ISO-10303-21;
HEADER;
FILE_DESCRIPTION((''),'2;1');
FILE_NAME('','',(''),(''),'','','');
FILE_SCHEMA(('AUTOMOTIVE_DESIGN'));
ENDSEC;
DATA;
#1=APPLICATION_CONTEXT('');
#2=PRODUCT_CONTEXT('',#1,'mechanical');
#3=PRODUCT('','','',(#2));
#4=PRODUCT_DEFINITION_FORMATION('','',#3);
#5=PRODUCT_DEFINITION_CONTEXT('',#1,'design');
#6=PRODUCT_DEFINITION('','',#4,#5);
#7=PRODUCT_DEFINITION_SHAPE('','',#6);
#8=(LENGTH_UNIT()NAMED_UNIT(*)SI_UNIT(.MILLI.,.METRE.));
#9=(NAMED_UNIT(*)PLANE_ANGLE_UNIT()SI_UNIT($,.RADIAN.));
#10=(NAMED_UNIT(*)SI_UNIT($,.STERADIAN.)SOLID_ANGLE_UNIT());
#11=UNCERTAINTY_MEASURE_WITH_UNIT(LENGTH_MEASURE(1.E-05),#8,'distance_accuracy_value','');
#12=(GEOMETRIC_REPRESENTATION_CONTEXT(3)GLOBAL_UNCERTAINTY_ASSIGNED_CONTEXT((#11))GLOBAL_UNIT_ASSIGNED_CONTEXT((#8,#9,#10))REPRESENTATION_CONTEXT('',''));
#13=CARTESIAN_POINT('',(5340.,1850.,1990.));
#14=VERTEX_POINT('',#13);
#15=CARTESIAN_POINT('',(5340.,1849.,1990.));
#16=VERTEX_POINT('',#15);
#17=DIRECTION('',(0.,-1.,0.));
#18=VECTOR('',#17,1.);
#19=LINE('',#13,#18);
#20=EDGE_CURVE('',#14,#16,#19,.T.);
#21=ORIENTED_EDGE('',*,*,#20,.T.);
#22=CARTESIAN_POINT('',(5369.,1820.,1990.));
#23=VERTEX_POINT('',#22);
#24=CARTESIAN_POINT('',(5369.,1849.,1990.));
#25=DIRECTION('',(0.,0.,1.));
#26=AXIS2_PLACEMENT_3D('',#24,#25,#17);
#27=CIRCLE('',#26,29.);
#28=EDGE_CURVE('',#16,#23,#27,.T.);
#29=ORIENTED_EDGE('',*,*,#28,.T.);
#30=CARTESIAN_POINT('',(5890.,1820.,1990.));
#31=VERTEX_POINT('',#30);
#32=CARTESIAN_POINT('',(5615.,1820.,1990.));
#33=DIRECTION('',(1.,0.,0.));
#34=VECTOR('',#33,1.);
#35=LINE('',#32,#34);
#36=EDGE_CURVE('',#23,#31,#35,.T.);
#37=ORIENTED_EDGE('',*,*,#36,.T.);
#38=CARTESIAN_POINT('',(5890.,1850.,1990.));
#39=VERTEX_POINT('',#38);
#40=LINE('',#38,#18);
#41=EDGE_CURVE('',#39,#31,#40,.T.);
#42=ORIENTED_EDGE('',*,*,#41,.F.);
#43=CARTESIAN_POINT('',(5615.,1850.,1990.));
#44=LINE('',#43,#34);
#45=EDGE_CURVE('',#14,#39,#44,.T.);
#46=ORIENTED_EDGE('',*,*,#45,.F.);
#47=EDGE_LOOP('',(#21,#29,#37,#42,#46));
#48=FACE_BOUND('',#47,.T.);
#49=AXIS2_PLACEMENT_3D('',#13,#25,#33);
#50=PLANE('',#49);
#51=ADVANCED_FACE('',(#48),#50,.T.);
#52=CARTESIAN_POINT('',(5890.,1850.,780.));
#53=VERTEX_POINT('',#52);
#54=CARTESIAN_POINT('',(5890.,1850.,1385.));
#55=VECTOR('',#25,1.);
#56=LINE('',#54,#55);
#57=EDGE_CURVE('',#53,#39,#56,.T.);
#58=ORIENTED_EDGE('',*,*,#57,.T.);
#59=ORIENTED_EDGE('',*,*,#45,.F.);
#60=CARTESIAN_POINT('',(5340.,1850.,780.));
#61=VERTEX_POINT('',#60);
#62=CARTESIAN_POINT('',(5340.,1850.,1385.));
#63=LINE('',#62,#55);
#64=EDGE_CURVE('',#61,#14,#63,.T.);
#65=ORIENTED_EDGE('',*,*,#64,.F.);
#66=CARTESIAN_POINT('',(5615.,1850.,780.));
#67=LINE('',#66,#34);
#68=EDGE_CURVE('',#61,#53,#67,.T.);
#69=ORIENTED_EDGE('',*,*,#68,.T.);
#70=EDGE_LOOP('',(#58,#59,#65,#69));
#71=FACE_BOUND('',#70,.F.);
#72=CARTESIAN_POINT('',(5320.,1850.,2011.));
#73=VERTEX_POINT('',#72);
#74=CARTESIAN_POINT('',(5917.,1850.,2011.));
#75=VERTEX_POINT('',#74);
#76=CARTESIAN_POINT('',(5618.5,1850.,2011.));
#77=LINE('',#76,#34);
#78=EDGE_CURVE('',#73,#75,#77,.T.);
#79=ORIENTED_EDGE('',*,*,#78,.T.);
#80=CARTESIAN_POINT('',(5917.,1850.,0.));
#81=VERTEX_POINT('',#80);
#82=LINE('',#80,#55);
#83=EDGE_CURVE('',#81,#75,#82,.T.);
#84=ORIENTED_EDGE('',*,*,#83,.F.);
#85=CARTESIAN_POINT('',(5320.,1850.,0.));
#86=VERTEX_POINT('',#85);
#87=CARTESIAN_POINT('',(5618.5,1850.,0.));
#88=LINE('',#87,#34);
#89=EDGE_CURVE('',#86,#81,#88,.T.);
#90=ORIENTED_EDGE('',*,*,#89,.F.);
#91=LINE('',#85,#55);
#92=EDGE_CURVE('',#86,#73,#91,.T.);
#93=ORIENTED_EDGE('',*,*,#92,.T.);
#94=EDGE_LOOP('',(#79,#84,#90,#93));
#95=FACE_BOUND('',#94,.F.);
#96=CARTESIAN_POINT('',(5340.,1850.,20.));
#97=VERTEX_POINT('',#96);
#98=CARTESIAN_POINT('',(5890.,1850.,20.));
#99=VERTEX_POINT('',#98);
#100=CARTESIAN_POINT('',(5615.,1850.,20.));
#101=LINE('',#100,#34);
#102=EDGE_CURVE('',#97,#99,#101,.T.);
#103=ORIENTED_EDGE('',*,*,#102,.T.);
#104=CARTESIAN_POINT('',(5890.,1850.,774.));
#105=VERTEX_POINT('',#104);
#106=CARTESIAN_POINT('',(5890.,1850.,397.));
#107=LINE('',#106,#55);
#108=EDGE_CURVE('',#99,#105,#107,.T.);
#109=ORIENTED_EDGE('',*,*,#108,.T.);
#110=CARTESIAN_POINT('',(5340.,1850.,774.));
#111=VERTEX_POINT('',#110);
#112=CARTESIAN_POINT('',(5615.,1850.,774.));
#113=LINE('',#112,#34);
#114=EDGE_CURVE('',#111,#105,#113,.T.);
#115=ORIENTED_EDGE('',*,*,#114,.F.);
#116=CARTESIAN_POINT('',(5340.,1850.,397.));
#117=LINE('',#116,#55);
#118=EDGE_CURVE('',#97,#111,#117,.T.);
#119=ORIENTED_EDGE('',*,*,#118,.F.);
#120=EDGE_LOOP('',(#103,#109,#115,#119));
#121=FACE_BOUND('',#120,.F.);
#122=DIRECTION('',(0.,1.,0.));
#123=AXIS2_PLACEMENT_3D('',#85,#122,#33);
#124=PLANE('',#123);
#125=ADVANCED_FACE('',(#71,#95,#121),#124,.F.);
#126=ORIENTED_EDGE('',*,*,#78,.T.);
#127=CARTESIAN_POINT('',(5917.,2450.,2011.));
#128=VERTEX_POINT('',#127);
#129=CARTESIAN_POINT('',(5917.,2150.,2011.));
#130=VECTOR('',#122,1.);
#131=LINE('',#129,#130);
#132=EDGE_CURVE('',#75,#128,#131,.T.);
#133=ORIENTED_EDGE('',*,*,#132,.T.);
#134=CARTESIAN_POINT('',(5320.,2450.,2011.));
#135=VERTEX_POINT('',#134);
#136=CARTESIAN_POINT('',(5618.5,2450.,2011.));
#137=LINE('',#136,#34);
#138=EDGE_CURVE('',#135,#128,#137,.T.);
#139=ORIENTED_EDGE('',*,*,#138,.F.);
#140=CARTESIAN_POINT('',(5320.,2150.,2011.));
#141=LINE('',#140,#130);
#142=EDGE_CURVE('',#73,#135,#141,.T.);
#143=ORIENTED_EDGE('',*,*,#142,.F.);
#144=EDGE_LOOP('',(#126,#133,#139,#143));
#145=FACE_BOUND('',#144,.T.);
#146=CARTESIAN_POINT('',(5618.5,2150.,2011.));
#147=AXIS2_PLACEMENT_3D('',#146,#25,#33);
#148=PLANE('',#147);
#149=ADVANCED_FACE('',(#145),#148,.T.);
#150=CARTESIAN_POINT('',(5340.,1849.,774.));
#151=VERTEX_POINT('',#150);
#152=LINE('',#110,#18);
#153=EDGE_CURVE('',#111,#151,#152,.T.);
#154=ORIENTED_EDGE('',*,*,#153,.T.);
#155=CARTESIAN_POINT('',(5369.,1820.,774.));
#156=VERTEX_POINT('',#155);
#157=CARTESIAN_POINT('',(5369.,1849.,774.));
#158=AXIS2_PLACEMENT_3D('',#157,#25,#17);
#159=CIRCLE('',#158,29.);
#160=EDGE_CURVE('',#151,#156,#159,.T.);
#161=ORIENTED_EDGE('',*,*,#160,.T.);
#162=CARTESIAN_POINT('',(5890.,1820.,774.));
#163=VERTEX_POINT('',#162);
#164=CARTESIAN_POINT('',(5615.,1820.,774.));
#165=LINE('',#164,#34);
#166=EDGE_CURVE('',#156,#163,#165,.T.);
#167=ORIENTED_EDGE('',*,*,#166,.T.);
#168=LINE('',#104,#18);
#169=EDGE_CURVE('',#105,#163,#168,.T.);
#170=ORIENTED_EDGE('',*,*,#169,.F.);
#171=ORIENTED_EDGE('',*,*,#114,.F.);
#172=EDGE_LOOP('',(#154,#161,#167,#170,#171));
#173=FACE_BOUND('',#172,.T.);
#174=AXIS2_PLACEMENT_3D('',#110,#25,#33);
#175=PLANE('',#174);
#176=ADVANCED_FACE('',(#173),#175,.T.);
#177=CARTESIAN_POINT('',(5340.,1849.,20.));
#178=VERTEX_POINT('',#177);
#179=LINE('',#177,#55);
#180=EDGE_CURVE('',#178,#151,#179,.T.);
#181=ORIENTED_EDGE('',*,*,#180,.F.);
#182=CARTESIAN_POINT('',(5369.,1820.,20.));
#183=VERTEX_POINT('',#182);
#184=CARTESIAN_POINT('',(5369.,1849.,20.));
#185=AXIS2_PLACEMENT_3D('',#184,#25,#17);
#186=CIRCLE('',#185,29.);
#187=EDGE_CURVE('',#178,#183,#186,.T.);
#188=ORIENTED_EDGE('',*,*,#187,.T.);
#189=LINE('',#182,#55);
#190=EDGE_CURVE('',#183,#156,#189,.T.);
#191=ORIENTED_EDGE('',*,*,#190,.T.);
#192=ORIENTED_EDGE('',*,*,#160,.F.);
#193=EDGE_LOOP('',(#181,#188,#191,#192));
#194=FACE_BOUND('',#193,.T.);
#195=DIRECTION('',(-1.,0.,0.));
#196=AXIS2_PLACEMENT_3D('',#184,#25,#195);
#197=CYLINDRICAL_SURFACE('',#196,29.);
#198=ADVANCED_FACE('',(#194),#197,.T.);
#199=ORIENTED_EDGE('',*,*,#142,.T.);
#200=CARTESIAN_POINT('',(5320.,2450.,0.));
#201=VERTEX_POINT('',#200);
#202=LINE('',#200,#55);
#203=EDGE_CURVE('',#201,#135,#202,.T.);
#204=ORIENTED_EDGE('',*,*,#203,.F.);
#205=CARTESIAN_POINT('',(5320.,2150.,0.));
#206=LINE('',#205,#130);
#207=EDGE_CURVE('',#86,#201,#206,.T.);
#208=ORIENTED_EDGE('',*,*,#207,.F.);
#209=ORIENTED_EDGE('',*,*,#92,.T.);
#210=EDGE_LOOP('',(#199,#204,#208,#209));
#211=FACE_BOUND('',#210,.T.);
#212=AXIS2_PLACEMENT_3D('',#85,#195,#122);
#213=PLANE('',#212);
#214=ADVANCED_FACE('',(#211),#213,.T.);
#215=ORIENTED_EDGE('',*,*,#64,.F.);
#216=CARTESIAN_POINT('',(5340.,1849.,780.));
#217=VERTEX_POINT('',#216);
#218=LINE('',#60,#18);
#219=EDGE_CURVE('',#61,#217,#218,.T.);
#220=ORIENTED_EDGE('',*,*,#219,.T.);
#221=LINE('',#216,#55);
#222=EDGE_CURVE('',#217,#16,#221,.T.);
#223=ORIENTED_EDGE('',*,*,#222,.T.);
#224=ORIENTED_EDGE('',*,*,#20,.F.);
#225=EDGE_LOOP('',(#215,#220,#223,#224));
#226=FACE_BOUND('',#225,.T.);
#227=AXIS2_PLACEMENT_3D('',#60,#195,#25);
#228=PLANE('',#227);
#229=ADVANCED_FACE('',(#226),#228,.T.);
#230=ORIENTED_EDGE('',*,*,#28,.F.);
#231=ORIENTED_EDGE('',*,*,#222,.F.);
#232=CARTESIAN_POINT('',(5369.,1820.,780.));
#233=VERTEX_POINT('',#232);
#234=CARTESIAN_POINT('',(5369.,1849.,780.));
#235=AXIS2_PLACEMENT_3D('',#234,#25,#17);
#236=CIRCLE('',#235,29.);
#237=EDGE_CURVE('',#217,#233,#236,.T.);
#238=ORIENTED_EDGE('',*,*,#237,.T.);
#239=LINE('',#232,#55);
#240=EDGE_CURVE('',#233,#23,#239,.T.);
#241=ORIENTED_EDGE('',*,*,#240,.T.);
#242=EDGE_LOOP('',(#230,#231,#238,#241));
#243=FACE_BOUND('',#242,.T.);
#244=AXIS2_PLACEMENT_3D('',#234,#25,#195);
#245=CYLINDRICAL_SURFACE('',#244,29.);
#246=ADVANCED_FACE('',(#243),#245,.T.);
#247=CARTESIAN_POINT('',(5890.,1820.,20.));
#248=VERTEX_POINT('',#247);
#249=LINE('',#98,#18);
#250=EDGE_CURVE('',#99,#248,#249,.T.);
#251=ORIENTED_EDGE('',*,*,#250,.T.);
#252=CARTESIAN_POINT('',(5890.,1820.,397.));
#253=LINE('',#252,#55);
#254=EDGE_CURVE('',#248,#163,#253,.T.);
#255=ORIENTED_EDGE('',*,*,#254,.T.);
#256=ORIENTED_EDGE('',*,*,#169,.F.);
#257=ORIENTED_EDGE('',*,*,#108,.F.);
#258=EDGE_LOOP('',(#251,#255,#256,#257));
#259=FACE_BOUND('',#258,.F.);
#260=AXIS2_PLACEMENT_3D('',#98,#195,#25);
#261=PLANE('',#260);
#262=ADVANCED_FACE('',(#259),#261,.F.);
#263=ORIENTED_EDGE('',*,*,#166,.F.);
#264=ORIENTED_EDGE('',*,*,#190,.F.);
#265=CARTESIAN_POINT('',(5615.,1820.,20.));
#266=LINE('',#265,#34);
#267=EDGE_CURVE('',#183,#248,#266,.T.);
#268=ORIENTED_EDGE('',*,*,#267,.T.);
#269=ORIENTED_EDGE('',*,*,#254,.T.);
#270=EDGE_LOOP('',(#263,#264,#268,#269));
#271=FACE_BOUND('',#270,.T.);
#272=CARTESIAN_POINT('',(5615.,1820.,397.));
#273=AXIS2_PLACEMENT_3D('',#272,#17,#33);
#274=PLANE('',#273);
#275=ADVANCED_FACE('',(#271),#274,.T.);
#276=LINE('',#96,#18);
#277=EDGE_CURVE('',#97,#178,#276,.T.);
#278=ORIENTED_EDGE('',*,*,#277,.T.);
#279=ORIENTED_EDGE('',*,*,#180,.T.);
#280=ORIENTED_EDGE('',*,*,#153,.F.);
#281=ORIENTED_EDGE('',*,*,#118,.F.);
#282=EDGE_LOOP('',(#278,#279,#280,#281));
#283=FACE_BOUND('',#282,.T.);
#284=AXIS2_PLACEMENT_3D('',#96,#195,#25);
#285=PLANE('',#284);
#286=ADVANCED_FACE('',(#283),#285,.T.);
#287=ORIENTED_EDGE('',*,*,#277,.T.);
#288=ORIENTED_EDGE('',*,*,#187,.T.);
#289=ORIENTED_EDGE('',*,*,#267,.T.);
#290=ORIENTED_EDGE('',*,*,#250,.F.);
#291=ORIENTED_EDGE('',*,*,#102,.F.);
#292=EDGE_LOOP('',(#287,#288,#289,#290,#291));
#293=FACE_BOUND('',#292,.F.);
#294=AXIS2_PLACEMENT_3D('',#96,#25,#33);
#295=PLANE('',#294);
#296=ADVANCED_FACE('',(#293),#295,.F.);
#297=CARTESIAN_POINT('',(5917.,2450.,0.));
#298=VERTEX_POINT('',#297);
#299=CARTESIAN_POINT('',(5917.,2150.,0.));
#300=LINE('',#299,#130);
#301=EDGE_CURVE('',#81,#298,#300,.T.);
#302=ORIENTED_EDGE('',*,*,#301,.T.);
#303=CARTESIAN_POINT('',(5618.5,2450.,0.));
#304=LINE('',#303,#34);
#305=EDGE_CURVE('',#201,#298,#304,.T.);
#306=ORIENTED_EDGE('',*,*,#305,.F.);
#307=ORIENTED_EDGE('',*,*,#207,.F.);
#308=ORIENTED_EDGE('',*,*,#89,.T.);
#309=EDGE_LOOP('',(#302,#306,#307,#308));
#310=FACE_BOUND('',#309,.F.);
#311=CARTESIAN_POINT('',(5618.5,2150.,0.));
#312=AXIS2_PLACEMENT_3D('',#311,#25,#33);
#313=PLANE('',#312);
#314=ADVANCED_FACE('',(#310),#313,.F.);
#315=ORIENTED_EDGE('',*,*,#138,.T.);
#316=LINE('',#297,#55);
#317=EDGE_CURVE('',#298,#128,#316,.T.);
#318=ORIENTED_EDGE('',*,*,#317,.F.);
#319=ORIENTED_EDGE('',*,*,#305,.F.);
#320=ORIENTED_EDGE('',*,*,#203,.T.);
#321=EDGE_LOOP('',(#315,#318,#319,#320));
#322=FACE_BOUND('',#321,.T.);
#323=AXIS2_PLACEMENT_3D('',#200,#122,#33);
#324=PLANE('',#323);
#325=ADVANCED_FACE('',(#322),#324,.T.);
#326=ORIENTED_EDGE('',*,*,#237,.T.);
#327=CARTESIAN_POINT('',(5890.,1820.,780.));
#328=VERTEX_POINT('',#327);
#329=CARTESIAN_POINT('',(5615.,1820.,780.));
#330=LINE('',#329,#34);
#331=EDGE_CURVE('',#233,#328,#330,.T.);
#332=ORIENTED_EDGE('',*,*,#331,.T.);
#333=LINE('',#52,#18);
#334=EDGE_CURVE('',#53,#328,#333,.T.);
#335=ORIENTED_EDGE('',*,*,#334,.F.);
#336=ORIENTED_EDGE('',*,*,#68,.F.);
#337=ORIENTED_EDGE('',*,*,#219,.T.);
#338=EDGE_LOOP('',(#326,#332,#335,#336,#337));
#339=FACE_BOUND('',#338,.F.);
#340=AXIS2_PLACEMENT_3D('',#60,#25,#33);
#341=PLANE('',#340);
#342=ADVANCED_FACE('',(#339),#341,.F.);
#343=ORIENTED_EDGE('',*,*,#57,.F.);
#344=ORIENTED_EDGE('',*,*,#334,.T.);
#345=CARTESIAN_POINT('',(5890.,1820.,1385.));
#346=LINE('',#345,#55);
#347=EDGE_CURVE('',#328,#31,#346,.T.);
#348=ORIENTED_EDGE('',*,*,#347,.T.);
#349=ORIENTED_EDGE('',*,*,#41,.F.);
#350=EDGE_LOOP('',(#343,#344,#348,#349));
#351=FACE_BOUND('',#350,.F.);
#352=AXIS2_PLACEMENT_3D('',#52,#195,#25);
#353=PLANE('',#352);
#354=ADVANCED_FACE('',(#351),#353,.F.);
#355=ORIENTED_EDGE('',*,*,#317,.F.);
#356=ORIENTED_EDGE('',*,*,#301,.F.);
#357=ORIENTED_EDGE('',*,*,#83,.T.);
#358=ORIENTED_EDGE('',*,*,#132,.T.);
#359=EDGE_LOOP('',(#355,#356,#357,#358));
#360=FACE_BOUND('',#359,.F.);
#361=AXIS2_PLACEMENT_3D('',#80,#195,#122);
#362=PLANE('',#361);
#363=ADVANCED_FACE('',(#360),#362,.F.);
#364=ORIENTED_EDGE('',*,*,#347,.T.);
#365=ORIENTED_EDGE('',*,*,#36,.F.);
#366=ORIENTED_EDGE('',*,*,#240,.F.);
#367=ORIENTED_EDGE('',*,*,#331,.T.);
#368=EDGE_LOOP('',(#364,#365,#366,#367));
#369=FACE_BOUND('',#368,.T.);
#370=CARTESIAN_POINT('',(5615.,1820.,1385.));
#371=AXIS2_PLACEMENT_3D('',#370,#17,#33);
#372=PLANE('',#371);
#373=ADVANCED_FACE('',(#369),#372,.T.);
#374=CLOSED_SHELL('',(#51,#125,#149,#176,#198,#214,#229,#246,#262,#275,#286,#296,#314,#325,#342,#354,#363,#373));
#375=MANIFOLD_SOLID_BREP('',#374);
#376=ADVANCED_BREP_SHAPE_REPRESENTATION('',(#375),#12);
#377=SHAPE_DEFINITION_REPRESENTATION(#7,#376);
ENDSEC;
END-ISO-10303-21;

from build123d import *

# Parameters (mm, degrees)
SKETCH191_W  = 597
SKETCH191_H  = 600
PAD011_DEPTH = 2011
SKETCH192_W  = 550
SKETCH192_H  = 1210
PAD012_DEPTH = 30
FILLET010_R  = 29
SKETCH193_W  = 550
SKETCH193_H  = 754
PAD013_DEPTH = 30
FILLET001_R  = 29


with BuildPart() as part:
    # Sketch191 → Pad011 (new body)
    with BuildSketch(Plane.XY):
        with Locations((298.5, 300)):
            Rectangle(SKETCH191_W, SKETCH191_H)
    extrude(amount=PAD011_DEPTH)

    # Sketch192 (on Face1 of Pad011) → Pad012 (join)
    with BuildSketch(Plane.XZ):
        with Locations((295, 1385)):
            Rectangle(SKETCH192_W, SKETCH192_H)
    extrude(amount=PAD012_DEPTH)

    # Fillet010
    fillet010_edges = [part.edges().sort_by_distance(p)[0] for p in [
        (20, -30, 1385),
    ]]
    fillet(fillet010_edges, radius=FILLET010_R)

    # Sketch193 (on Face4 of Fillet010) → Pad013 (join)
    with BuildSketch(Plane.XZ):
        with Locations((295, 397)):
            Rectangle(SKETCH193_W, SKETCH193_H)
    extrude(amount=PAD013_DEPTH)

    # Fillet001
    fillet001_edges = [part.edges().sort_by_distance(p)[0] for p in [
        (20, -30, 397),
    ]]
    fillet(fillet001_edges, radius=FILLET001_R)


with BuildPart() as part_1:
    # Body009 placement: moved
    add(part.part.moved(Location((5320, 1850, 0))))


solid = part_1.part
